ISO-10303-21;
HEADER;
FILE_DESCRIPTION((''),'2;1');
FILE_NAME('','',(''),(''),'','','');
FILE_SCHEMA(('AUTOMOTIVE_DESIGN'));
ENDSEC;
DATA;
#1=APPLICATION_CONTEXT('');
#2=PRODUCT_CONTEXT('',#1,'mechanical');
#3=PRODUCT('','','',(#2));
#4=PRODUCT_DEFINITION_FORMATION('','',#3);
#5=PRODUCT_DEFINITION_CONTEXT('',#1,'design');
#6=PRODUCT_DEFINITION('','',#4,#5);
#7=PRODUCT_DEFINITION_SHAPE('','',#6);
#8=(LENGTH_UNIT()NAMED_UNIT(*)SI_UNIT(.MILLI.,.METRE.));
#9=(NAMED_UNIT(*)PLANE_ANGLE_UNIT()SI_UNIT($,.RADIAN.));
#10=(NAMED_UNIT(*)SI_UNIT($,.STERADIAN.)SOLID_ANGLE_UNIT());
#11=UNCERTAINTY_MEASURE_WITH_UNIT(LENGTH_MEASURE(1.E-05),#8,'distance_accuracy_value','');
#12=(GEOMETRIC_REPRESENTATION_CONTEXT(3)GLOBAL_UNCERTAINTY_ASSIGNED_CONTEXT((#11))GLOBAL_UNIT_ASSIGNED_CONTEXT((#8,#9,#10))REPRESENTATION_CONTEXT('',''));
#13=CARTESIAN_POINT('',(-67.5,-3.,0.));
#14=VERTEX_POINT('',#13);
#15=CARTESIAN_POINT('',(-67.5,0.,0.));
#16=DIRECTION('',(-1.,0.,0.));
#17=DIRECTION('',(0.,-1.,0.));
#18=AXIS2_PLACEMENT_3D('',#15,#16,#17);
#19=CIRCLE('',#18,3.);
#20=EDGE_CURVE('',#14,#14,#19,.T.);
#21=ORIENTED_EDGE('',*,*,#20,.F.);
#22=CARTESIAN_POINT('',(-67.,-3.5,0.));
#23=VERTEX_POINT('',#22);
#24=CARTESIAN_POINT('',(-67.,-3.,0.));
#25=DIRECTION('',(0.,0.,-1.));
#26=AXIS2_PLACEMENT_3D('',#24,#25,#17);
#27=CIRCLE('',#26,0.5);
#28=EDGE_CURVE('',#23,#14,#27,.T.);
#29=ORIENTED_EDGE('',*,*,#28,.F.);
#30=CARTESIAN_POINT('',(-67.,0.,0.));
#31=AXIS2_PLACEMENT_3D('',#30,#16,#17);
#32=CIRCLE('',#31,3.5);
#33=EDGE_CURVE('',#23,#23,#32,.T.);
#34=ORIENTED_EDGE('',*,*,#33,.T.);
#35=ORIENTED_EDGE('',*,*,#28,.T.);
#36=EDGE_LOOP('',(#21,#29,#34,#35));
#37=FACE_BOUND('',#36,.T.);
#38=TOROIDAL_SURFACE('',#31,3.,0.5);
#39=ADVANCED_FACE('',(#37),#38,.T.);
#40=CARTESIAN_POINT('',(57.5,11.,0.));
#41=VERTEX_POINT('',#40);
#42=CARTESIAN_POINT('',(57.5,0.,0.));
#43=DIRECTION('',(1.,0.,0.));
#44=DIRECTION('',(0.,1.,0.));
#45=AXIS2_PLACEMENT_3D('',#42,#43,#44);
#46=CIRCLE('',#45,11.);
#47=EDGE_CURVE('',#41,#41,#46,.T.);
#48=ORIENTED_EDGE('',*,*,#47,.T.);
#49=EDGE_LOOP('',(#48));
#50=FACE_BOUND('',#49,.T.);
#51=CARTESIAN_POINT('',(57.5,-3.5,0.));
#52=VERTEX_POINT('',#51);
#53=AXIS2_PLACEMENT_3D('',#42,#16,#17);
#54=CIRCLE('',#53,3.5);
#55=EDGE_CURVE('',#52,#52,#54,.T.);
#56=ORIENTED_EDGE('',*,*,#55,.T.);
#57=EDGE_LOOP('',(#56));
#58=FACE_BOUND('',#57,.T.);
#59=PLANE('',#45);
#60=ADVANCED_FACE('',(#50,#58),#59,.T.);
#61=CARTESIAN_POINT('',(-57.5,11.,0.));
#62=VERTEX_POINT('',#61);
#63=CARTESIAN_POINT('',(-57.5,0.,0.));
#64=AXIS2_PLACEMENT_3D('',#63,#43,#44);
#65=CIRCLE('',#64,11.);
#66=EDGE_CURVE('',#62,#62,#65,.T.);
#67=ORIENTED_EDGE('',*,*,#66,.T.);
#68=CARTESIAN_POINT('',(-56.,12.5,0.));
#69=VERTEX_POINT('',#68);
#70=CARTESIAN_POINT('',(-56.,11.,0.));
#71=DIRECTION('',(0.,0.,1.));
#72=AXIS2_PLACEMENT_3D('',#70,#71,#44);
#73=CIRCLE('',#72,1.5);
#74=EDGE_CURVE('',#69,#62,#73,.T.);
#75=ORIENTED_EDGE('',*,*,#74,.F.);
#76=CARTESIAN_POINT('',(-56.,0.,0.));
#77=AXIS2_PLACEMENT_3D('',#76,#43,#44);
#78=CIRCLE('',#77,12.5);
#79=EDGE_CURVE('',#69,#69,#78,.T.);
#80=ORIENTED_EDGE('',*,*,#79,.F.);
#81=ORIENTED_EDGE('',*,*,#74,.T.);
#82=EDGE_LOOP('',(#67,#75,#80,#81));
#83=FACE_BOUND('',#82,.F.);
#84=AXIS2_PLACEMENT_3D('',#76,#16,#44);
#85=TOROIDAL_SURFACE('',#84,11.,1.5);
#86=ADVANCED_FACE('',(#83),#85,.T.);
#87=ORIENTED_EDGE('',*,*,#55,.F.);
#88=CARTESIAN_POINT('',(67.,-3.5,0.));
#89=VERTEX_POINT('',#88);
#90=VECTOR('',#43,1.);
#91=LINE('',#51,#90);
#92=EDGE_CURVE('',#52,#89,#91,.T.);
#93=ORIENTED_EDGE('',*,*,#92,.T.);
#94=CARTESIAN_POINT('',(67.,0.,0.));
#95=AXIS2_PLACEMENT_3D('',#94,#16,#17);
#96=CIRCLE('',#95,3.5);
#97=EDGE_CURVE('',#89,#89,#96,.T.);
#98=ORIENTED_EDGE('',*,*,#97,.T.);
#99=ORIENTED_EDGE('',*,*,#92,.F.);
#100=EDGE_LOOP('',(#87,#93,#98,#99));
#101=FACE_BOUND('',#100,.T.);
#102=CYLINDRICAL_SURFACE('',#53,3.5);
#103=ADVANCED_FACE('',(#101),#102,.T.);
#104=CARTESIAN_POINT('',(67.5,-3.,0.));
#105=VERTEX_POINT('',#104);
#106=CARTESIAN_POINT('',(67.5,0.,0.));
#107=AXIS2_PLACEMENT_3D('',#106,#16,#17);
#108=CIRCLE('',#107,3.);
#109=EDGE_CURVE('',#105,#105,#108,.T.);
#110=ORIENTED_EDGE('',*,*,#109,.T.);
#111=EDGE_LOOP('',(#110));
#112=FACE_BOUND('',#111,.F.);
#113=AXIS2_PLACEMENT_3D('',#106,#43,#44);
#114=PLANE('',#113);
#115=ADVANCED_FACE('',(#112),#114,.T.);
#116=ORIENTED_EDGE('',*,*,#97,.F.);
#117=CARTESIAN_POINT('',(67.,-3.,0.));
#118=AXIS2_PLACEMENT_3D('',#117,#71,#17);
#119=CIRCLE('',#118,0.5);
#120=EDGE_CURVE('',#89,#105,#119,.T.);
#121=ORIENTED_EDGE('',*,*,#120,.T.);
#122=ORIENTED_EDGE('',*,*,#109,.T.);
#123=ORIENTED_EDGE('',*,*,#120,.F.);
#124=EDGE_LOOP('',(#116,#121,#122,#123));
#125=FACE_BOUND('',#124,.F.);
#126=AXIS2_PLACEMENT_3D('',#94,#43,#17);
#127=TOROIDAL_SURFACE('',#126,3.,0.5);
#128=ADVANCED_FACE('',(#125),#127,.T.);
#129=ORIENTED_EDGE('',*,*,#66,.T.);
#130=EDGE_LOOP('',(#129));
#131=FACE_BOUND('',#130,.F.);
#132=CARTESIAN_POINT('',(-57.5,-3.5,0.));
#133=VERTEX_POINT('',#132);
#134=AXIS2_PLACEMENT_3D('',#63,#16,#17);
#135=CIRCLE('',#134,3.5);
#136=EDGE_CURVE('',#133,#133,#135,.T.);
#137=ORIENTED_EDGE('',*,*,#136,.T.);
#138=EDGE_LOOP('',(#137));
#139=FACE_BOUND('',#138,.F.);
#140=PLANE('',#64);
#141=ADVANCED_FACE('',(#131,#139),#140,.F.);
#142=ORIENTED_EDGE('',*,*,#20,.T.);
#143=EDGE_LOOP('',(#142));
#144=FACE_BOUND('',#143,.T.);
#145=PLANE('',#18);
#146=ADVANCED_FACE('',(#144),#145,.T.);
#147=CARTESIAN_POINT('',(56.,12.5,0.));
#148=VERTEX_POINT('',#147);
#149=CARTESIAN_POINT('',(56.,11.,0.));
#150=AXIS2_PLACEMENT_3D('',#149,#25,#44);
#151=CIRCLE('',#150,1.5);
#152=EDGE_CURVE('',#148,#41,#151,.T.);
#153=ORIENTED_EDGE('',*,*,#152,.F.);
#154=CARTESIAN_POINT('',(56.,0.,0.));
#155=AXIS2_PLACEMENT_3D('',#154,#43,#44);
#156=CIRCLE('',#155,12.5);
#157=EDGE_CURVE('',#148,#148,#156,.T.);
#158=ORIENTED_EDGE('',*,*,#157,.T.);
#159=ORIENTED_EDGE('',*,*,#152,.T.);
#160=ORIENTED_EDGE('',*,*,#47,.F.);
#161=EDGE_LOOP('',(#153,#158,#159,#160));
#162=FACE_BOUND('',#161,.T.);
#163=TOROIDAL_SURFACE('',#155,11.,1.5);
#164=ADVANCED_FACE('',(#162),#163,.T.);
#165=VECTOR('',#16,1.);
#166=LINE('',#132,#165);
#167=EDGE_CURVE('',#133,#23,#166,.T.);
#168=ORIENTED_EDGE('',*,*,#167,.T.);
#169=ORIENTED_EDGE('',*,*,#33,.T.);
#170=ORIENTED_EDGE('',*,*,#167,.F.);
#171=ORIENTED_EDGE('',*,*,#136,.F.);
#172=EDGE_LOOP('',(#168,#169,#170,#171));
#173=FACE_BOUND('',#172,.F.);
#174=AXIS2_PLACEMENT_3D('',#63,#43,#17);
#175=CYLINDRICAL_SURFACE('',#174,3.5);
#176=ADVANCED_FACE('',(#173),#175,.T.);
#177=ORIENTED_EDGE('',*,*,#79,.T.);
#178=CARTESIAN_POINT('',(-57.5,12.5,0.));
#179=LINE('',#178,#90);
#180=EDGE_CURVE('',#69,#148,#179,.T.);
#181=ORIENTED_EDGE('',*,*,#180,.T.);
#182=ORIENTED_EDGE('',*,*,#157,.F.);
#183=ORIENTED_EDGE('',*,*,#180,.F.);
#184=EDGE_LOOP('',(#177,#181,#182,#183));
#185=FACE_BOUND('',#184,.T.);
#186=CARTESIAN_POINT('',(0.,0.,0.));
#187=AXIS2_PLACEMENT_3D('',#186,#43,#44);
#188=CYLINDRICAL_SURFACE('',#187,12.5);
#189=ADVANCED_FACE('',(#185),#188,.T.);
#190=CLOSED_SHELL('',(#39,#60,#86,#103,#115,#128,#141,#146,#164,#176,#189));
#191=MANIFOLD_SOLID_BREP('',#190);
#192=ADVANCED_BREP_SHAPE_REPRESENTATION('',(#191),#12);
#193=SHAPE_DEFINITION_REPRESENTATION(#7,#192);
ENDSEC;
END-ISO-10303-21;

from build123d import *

# Parameters (mm, degrees)
F0_R     = 12.5
F1_DEPTH = 57.5
F2_R     = 3.5
F3_DEPTH = 10
F5_R     = 1.5
F6_R     = 0.5


with BuildPart() as f1:
    # F0 (on Right) → F1 (new body, symmetric)
    with BuildSketch(Plane.YZ):
        Circle(F0_R)
    extrude(amount=F1_DEPTH, both=True)

    # F2 (on face) → F3 (join)
    with BuildSketch(Plane(origin=(-57.5, 0, 0), x_dir=(0, -1, 0), z_dir=(-1, 0, 0))):
        Circle(F2_R)
    extrude(amount=F3_DEPTH)

    # F4: F1 across plane


with BuildPart() as f1_1:
    add(f1.part)
    add(f1.part.mirror(Plane.YZ))

    # F5
    f5_edges = [f1_1.edges().sort_by_distance(p)[0] for p in [
        (-57.5, -12.5, 0),
        (57.5, -12.5, 0),
    ]]
    fillet(f5_edges, radius=F5_R)

    # F6
    f6_edges = [f1_1.edges().sort_by_distance(p)[0] for p in [
        (67.5, 3.5, 0),
        (-67.5, 3.5, 0),
    ]]
    fillet(f6_edges, radius=F6_R)


solid = f1_1.part
